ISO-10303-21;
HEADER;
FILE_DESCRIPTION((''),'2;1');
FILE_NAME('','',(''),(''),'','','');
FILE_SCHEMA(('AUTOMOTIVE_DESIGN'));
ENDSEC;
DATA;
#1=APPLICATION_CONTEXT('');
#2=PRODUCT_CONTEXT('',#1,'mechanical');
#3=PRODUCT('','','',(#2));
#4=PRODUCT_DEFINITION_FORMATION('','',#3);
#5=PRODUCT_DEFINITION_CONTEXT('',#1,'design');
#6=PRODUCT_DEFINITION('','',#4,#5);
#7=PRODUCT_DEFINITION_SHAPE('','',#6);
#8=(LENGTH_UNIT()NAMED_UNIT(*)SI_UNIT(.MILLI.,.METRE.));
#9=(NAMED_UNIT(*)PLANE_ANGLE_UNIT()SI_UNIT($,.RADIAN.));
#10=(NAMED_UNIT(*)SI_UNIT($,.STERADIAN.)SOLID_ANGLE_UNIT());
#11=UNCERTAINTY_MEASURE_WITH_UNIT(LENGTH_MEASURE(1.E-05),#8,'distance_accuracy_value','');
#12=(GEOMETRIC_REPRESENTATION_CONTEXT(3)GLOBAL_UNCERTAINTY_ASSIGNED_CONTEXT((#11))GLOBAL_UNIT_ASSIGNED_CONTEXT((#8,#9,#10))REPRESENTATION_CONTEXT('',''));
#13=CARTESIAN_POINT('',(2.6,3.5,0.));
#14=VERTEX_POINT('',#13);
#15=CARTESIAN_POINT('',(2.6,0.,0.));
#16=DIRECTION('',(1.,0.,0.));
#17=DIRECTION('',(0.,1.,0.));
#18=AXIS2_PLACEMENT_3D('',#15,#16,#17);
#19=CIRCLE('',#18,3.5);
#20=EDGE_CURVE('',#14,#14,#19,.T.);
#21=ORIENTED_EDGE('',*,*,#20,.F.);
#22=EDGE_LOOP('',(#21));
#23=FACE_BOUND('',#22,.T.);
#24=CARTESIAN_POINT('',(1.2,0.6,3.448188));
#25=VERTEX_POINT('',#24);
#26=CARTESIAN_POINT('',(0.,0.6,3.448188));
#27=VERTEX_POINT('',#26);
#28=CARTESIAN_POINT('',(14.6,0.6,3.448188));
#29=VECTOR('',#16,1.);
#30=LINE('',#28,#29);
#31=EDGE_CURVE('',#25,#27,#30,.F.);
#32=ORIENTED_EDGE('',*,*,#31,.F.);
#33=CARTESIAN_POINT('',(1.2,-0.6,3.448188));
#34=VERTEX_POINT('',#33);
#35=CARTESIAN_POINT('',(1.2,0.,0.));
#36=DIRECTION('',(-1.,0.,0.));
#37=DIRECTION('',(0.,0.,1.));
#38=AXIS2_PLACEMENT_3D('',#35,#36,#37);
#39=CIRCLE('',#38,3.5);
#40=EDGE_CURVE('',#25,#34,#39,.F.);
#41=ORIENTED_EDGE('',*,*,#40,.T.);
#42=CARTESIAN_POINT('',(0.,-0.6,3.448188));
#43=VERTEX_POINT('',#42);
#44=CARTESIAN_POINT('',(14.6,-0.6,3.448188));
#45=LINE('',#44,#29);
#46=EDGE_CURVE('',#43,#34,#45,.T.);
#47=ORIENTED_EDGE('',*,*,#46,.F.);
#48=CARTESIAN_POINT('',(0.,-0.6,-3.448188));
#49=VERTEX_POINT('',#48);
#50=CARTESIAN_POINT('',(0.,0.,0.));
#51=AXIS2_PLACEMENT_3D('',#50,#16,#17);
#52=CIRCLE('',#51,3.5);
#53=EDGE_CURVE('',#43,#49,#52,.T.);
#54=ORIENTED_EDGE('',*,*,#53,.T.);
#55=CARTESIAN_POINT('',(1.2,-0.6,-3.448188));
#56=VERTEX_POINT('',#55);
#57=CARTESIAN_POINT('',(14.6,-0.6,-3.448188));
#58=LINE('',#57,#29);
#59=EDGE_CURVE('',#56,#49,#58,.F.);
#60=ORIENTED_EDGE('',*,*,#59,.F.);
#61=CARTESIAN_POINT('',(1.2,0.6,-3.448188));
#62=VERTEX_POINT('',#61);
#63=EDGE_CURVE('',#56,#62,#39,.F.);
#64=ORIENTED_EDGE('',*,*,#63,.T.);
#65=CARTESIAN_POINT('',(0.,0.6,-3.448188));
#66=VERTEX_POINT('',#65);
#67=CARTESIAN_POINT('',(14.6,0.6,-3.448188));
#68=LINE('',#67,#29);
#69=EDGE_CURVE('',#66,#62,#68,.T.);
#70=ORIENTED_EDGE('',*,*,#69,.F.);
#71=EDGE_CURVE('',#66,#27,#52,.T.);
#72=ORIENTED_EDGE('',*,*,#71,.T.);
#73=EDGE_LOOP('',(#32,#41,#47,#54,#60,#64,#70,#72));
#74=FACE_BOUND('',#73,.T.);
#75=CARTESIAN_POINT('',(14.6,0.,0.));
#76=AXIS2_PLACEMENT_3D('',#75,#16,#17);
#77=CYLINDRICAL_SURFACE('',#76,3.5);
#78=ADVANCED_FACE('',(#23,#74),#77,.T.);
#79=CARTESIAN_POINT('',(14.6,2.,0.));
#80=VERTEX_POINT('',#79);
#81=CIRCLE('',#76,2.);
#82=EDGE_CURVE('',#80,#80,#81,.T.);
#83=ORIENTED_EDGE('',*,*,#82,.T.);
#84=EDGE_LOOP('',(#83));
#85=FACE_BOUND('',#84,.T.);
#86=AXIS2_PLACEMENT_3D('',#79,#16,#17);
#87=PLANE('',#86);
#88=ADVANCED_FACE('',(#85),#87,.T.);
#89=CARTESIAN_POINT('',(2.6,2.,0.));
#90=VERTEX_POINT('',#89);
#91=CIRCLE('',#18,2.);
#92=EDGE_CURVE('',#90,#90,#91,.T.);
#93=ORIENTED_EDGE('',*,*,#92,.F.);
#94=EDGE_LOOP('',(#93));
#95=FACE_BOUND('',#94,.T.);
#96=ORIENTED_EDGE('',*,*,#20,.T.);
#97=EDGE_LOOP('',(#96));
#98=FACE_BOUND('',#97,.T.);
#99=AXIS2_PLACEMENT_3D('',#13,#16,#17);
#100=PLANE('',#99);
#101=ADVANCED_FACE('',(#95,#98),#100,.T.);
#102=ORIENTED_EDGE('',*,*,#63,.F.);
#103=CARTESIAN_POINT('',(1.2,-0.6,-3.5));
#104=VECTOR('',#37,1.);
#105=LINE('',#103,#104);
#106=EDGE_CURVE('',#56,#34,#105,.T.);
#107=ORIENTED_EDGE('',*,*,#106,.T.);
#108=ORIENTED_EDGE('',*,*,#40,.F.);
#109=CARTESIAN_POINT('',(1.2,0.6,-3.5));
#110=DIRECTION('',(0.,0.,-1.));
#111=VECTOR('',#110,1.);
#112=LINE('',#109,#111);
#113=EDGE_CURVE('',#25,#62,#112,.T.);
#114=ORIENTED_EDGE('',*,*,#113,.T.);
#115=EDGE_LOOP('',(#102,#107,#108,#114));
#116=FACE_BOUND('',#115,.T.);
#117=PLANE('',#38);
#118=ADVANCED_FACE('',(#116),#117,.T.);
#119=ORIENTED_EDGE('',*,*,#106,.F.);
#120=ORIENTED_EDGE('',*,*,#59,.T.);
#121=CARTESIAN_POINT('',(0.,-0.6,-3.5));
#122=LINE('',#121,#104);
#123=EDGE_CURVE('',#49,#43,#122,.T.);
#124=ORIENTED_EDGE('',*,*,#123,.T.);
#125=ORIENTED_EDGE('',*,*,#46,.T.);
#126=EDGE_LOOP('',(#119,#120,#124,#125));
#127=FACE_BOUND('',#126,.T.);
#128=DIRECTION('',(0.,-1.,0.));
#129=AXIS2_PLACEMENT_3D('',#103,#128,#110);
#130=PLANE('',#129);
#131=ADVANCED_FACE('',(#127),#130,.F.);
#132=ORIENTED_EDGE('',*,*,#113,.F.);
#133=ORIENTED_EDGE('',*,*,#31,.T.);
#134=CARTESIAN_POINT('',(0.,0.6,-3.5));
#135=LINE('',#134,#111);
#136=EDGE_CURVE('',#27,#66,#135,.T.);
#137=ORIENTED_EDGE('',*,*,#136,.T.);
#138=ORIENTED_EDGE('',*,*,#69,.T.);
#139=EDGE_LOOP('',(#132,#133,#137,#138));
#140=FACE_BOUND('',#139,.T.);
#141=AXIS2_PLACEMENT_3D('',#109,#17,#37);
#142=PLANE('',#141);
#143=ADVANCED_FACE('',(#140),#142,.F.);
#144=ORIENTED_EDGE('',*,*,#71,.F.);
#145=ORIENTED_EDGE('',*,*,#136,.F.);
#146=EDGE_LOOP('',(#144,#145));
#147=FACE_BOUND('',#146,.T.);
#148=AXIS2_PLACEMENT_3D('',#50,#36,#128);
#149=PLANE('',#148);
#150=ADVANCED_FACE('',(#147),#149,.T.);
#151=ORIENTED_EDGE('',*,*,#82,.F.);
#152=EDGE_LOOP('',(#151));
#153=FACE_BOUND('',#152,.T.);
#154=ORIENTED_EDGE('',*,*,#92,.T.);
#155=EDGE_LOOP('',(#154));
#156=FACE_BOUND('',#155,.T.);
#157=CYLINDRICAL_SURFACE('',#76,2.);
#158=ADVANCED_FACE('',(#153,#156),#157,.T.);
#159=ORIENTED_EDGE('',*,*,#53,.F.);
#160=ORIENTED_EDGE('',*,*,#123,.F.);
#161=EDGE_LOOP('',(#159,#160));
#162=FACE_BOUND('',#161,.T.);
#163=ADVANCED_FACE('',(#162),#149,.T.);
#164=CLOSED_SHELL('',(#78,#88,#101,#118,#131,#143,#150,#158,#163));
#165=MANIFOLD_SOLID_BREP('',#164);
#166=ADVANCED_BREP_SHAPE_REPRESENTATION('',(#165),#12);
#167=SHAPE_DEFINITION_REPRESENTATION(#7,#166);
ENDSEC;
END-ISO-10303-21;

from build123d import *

# Parameters (mm, degrees)
SKETCH2_W          = 7
SKETCH2_H          = 1.2
CUT_EXTRUDE1_DEPTH = 1.2


with BuildPart() as part:
    # Sketch1 → Revolve1 (revolve)
    with BuildSketch(Plane.XY):
        Polygon((0, 0), (0, 3.5), (2.6, 3.5), (2.6, 2), (14.6, 2), (14.6, 0), align=None)
    revolve(axis=Axis((14.6, 0, 0), (-1, 0, 0)))

    # Sketch2 → Cut-Extrude1 (cut)
    with BuildSketch(Plane.ZY):
        Rectangle(SKETCH2_W, SKETCH2_H)
    extrude(amount=-CUT_EXTRUDE1_DEPTH, mode=Mode.SUBTRACT)


solid = part.part
